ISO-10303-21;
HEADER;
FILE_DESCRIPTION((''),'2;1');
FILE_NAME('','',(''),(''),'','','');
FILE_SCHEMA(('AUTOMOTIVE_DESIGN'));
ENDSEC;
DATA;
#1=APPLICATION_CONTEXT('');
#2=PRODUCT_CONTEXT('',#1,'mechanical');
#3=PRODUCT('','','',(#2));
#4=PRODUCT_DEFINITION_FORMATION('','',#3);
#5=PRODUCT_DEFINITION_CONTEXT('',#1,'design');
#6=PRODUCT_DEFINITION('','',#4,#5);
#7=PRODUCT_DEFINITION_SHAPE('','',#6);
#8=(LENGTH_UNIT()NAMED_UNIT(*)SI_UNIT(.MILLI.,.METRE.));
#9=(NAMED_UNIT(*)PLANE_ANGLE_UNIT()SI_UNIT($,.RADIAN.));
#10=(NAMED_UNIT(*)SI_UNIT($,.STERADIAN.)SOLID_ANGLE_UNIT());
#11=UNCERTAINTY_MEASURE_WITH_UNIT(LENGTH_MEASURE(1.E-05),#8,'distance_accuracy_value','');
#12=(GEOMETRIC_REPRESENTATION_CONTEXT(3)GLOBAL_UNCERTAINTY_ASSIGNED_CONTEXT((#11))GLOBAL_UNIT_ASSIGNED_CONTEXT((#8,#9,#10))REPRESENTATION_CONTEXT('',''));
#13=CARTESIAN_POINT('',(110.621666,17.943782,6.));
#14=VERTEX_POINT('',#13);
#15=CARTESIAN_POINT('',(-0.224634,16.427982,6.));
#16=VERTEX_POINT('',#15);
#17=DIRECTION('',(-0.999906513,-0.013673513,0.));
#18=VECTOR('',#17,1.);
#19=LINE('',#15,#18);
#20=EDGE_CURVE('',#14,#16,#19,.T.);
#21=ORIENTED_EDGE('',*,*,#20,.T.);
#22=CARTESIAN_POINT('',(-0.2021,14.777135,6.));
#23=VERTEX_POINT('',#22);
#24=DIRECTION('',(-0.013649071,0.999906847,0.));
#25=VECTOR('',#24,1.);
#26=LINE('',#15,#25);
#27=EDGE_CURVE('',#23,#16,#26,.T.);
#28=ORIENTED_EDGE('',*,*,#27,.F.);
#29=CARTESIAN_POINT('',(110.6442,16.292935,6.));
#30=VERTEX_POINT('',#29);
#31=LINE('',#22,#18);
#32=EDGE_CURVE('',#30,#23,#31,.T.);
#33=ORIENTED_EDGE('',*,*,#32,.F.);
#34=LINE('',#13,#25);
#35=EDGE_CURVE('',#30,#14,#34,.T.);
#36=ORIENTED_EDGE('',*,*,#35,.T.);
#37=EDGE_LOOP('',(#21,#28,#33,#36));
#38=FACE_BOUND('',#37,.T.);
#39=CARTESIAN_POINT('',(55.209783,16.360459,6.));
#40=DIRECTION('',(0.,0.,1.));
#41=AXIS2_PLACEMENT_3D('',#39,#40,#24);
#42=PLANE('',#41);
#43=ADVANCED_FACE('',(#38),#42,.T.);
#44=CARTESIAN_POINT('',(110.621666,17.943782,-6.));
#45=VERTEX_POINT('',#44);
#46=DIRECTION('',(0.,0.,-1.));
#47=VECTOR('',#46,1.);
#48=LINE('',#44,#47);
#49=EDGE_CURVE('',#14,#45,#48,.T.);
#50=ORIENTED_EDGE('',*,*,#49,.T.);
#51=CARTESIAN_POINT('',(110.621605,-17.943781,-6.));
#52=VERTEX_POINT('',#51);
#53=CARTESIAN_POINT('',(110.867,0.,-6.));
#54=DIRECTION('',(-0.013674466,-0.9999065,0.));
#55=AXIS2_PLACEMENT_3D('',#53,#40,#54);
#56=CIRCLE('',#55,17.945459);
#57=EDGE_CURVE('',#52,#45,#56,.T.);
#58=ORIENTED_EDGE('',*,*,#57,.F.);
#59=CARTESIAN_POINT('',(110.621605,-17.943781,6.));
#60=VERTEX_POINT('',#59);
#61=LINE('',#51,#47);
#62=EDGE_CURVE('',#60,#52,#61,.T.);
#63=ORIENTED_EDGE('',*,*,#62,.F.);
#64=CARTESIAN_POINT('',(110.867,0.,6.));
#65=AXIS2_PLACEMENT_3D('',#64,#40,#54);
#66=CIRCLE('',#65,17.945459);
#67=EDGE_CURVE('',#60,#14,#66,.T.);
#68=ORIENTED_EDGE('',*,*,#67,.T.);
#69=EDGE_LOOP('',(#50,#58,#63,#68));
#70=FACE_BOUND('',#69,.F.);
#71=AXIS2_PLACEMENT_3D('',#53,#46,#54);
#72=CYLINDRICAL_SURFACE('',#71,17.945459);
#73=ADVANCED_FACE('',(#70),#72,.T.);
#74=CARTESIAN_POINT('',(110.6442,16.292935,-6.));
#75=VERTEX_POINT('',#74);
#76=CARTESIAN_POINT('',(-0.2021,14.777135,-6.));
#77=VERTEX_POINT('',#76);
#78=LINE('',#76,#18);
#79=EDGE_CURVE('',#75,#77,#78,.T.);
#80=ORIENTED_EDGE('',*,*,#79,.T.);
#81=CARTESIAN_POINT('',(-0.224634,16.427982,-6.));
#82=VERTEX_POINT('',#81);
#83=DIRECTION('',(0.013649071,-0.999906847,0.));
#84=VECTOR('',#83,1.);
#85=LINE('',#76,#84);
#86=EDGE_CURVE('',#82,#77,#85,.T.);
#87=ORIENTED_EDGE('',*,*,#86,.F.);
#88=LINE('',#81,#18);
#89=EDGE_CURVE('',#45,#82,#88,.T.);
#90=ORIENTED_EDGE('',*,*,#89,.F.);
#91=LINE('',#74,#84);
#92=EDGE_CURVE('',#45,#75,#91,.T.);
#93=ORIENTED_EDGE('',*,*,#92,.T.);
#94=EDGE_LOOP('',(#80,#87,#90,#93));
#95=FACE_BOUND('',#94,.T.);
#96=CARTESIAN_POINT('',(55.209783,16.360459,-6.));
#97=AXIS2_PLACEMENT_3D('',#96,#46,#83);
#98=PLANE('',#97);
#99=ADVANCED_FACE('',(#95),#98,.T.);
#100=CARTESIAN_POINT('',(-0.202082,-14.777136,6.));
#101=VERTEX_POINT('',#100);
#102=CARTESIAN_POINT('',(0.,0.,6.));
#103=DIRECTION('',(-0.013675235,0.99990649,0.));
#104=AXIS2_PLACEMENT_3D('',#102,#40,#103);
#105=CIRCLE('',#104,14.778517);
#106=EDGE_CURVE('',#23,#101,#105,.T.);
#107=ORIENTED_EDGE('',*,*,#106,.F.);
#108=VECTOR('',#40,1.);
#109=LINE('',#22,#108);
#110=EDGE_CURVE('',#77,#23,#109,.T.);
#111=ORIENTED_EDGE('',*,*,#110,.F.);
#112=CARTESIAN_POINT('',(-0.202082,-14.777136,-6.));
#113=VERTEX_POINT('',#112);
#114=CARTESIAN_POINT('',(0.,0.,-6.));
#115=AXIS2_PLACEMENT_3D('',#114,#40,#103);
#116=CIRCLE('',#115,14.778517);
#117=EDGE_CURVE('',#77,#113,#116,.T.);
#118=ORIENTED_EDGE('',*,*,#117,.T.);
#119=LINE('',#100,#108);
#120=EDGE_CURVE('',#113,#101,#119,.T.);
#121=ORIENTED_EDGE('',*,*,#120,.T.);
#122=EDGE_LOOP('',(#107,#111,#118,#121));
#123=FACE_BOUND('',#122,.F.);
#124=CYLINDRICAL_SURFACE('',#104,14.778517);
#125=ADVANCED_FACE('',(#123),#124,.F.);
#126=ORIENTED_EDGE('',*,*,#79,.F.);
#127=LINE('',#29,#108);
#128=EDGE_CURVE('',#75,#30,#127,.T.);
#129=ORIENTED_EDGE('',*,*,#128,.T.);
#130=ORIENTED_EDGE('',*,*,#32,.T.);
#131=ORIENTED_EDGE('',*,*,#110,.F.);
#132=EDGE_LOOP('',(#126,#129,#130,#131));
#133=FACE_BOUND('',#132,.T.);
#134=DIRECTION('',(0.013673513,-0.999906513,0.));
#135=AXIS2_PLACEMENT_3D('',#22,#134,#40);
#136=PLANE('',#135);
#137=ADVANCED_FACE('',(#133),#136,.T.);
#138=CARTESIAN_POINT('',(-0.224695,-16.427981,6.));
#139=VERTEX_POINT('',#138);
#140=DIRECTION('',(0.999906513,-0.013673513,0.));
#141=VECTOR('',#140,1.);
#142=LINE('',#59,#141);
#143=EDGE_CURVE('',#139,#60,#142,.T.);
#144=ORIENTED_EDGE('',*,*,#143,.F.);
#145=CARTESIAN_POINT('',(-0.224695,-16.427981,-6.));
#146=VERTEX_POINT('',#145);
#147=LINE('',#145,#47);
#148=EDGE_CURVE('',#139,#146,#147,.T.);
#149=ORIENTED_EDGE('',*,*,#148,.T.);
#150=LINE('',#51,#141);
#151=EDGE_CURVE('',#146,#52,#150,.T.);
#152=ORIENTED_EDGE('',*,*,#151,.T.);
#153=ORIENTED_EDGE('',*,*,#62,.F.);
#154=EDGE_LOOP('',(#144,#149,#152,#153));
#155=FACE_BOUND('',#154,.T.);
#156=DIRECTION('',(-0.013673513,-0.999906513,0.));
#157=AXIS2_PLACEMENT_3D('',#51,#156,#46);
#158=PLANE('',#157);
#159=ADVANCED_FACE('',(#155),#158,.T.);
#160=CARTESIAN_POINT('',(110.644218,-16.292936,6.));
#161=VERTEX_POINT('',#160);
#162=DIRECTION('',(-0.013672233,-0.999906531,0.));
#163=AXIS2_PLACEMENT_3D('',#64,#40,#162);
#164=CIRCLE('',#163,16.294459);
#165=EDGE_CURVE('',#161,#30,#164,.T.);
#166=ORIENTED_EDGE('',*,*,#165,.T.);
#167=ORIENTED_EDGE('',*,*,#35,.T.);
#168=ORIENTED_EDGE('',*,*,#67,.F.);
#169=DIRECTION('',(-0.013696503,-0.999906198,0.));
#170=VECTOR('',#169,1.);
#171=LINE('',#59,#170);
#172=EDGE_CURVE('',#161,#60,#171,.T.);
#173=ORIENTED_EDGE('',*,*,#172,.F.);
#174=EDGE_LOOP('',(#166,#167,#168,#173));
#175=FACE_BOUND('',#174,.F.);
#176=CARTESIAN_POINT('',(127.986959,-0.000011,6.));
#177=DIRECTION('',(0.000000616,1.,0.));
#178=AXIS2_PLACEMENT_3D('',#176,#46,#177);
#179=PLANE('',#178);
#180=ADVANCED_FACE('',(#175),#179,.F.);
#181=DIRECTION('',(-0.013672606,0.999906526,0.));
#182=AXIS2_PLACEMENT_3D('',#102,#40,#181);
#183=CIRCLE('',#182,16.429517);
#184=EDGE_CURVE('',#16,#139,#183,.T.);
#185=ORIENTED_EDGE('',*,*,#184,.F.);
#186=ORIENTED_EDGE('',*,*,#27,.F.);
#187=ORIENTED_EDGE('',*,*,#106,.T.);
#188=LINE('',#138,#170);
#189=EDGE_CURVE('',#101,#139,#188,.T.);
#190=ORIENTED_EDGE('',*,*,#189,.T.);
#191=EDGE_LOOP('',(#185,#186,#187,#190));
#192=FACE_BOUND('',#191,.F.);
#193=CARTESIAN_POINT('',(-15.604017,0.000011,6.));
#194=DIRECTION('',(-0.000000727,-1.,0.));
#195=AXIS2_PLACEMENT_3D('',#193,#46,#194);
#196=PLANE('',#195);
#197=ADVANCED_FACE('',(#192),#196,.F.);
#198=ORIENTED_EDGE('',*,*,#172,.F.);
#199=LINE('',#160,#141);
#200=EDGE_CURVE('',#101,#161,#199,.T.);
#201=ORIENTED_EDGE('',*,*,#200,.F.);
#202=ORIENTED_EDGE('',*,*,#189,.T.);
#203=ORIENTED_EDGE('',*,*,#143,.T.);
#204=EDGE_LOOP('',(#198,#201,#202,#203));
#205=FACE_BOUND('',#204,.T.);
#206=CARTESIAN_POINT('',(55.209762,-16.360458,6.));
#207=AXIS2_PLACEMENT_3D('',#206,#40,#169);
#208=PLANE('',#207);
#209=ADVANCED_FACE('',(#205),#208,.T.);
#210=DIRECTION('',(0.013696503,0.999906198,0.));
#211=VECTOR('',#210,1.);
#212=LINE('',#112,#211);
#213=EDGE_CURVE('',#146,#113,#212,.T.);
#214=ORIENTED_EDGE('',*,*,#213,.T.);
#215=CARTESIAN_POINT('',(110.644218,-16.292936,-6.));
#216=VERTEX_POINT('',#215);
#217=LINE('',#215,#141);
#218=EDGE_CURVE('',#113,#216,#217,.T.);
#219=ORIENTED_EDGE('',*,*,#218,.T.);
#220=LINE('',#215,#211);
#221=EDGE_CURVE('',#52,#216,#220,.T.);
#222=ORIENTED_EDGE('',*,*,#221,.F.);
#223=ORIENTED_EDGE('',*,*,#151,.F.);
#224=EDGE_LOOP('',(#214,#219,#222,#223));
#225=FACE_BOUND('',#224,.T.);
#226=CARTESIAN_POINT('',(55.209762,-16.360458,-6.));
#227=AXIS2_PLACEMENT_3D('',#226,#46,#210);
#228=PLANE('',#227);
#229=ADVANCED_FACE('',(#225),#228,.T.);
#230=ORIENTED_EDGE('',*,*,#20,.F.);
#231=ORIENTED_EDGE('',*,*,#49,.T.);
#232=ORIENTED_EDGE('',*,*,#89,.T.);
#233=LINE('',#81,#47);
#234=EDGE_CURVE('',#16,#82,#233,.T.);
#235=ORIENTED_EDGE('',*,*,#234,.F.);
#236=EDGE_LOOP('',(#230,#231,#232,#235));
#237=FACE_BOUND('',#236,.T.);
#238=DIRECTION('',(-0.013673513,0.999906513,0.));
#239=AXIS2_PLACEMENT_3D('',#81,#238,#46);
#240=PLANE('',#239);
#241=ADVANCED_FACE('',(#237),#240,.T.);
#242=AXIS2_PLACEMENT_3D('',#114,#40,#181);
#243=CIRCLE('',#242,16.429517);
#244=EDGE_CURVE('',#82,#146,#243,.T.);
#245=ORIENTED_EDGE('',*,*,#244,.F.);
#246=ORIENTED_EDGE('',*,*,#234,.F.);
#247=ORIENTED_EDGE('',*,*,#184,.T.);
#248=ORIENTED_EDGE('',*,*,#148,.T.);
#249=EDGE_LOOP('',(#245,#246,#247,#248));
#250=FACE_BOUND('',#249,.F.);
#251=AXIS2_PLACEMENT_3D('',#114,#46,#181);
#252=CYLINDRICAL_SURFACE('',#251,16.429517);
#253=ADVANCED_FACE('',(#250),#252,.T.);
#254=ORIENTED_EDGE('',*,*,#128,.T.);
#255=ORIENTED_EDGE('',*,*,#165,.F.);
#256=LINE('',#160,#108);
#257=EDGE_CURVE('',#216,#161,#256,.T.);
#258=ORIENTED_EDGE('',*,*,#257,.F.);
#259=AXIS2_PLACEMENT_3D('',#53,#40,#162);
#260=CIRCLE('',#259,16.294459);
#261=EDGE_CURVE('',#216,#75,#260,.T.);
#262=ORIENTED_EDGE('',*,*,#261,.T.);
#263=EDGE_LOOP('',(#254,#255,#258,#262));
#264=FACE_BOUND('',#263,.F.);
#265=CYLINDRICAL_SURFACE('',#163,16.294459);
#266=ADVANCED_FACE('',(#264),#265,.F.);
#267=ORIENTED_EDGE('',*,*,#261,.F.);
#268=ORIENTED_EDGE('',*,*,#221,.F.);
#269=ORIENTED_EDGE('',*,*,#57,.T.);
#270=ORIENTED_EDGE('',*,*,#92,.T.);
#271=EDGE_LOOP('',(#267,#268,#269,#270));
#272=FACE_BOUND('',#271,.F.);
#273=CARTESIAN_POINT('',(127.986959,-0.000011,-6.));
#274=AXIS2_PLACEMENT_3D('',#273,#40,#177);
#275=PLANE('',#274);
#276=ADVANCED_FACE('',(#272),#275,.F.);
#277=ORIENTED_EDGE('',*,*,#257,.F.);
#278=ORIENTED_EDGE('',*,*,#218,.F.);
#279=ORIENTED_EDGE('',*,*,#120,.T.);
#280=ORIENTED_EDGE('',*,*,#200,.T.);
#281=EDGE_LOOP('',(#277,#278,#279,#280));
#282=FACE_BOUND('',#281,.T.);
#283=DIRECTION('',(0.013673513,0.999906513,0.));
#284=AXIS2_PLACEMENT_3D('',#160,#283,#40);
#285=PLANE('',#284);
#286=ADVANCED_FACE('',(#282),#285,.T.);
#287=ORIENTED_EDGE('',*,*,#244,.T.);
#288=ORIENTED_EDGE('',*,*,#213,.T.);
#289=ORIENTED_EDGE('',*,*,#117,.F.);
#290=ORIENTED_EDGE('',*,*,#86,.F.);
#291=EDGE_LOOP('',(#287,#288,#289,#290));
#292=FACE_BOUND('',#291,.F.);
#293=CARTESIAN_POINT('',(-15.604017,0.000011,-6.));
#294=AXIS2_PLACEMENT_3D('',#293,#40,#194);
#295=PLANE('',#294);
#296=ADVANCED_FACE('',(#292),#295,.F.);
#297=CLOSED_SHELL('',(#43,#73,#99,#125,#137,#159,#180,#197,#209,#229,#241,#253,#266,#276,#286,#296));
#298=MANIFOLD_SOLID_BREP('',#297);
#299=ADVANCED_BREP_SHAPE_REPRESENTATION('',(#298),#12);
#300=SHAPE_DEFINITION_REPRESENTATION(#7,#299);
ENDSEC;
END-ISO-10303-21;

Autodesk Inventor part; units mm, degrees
sketch "Sketch Path" plane through (0, 0, 0) normal (0, 0, 1) x (1, 0, 0)
  arc A0 (-0.2073, 15.1581) -> (-0.2073, -15.1581) centre (0, 0) ccw
  arc A1 (110.639, -16.6739) -> (110.639, 16.6739) centre (110.867, 0) ccw
  line L0 (110.639, -16.6739) -> (-0.2073, -15.1581)
  line L1 (-0.2073, 15.1581) -> (110.639, 16.6739)
ref_plane "Cross Section Plane" through (-0.2073, -15.1581, 0) normal (0.9999, -0.0137, 0) x (0, 0, 1)
ref_plane "Work Plane2" through (0, 0, 0) normal (0.309, 0.9511, 0) x (0, 0, 1)
ref_plane "Work Plane3" through (110.867, 0, 0) normal (-0.979, 0.2038, 0) x (0, 0, 1)
sketch "Cross Section" plane through (-0.2073, -15.1581, 0) normal (0.9999, -0.0137, 0) x (0, 0, 1)
  line L0 (-6, 1.27) -> (6, 1.27)
  line L1 (6, 1.27) -> (6, -0.381)
  line L2 (6, -0.381) -> (-6, -0.381)
  line L3 (-6, -0.381) -> (-6, 1.27)
  line L4 (-6, 0) -> (6, 0) construction
  point P0 (0, 0)
  point P1 (0, 0)
  dimension "d0" = 12
  dimension "d4" = 0.381
  dimension "d5" = 1.27
sweep "Belt" add profiles "Cross Section" path "Sketch Path"
equation "\"d4\" = da_a"
equation "\"d5\" = da_a2"
equation "\"da_B\" = 19.05"
equation "\"da_pb\" = 9.525"
equation "\"da_L\" = 321.76723"
equation "\"da_a\" = 0.381"
equation "\"da_S\" = 4.6482"
equation "\"da_Beta\" = 20deg"
equation "\"da_Ht\" = 1.905"
equation "\"da_H\" = 3.556"
equation "\"da_a2\" = 1.27"
properties part number "Synchronous Belt" material "Rubber"
